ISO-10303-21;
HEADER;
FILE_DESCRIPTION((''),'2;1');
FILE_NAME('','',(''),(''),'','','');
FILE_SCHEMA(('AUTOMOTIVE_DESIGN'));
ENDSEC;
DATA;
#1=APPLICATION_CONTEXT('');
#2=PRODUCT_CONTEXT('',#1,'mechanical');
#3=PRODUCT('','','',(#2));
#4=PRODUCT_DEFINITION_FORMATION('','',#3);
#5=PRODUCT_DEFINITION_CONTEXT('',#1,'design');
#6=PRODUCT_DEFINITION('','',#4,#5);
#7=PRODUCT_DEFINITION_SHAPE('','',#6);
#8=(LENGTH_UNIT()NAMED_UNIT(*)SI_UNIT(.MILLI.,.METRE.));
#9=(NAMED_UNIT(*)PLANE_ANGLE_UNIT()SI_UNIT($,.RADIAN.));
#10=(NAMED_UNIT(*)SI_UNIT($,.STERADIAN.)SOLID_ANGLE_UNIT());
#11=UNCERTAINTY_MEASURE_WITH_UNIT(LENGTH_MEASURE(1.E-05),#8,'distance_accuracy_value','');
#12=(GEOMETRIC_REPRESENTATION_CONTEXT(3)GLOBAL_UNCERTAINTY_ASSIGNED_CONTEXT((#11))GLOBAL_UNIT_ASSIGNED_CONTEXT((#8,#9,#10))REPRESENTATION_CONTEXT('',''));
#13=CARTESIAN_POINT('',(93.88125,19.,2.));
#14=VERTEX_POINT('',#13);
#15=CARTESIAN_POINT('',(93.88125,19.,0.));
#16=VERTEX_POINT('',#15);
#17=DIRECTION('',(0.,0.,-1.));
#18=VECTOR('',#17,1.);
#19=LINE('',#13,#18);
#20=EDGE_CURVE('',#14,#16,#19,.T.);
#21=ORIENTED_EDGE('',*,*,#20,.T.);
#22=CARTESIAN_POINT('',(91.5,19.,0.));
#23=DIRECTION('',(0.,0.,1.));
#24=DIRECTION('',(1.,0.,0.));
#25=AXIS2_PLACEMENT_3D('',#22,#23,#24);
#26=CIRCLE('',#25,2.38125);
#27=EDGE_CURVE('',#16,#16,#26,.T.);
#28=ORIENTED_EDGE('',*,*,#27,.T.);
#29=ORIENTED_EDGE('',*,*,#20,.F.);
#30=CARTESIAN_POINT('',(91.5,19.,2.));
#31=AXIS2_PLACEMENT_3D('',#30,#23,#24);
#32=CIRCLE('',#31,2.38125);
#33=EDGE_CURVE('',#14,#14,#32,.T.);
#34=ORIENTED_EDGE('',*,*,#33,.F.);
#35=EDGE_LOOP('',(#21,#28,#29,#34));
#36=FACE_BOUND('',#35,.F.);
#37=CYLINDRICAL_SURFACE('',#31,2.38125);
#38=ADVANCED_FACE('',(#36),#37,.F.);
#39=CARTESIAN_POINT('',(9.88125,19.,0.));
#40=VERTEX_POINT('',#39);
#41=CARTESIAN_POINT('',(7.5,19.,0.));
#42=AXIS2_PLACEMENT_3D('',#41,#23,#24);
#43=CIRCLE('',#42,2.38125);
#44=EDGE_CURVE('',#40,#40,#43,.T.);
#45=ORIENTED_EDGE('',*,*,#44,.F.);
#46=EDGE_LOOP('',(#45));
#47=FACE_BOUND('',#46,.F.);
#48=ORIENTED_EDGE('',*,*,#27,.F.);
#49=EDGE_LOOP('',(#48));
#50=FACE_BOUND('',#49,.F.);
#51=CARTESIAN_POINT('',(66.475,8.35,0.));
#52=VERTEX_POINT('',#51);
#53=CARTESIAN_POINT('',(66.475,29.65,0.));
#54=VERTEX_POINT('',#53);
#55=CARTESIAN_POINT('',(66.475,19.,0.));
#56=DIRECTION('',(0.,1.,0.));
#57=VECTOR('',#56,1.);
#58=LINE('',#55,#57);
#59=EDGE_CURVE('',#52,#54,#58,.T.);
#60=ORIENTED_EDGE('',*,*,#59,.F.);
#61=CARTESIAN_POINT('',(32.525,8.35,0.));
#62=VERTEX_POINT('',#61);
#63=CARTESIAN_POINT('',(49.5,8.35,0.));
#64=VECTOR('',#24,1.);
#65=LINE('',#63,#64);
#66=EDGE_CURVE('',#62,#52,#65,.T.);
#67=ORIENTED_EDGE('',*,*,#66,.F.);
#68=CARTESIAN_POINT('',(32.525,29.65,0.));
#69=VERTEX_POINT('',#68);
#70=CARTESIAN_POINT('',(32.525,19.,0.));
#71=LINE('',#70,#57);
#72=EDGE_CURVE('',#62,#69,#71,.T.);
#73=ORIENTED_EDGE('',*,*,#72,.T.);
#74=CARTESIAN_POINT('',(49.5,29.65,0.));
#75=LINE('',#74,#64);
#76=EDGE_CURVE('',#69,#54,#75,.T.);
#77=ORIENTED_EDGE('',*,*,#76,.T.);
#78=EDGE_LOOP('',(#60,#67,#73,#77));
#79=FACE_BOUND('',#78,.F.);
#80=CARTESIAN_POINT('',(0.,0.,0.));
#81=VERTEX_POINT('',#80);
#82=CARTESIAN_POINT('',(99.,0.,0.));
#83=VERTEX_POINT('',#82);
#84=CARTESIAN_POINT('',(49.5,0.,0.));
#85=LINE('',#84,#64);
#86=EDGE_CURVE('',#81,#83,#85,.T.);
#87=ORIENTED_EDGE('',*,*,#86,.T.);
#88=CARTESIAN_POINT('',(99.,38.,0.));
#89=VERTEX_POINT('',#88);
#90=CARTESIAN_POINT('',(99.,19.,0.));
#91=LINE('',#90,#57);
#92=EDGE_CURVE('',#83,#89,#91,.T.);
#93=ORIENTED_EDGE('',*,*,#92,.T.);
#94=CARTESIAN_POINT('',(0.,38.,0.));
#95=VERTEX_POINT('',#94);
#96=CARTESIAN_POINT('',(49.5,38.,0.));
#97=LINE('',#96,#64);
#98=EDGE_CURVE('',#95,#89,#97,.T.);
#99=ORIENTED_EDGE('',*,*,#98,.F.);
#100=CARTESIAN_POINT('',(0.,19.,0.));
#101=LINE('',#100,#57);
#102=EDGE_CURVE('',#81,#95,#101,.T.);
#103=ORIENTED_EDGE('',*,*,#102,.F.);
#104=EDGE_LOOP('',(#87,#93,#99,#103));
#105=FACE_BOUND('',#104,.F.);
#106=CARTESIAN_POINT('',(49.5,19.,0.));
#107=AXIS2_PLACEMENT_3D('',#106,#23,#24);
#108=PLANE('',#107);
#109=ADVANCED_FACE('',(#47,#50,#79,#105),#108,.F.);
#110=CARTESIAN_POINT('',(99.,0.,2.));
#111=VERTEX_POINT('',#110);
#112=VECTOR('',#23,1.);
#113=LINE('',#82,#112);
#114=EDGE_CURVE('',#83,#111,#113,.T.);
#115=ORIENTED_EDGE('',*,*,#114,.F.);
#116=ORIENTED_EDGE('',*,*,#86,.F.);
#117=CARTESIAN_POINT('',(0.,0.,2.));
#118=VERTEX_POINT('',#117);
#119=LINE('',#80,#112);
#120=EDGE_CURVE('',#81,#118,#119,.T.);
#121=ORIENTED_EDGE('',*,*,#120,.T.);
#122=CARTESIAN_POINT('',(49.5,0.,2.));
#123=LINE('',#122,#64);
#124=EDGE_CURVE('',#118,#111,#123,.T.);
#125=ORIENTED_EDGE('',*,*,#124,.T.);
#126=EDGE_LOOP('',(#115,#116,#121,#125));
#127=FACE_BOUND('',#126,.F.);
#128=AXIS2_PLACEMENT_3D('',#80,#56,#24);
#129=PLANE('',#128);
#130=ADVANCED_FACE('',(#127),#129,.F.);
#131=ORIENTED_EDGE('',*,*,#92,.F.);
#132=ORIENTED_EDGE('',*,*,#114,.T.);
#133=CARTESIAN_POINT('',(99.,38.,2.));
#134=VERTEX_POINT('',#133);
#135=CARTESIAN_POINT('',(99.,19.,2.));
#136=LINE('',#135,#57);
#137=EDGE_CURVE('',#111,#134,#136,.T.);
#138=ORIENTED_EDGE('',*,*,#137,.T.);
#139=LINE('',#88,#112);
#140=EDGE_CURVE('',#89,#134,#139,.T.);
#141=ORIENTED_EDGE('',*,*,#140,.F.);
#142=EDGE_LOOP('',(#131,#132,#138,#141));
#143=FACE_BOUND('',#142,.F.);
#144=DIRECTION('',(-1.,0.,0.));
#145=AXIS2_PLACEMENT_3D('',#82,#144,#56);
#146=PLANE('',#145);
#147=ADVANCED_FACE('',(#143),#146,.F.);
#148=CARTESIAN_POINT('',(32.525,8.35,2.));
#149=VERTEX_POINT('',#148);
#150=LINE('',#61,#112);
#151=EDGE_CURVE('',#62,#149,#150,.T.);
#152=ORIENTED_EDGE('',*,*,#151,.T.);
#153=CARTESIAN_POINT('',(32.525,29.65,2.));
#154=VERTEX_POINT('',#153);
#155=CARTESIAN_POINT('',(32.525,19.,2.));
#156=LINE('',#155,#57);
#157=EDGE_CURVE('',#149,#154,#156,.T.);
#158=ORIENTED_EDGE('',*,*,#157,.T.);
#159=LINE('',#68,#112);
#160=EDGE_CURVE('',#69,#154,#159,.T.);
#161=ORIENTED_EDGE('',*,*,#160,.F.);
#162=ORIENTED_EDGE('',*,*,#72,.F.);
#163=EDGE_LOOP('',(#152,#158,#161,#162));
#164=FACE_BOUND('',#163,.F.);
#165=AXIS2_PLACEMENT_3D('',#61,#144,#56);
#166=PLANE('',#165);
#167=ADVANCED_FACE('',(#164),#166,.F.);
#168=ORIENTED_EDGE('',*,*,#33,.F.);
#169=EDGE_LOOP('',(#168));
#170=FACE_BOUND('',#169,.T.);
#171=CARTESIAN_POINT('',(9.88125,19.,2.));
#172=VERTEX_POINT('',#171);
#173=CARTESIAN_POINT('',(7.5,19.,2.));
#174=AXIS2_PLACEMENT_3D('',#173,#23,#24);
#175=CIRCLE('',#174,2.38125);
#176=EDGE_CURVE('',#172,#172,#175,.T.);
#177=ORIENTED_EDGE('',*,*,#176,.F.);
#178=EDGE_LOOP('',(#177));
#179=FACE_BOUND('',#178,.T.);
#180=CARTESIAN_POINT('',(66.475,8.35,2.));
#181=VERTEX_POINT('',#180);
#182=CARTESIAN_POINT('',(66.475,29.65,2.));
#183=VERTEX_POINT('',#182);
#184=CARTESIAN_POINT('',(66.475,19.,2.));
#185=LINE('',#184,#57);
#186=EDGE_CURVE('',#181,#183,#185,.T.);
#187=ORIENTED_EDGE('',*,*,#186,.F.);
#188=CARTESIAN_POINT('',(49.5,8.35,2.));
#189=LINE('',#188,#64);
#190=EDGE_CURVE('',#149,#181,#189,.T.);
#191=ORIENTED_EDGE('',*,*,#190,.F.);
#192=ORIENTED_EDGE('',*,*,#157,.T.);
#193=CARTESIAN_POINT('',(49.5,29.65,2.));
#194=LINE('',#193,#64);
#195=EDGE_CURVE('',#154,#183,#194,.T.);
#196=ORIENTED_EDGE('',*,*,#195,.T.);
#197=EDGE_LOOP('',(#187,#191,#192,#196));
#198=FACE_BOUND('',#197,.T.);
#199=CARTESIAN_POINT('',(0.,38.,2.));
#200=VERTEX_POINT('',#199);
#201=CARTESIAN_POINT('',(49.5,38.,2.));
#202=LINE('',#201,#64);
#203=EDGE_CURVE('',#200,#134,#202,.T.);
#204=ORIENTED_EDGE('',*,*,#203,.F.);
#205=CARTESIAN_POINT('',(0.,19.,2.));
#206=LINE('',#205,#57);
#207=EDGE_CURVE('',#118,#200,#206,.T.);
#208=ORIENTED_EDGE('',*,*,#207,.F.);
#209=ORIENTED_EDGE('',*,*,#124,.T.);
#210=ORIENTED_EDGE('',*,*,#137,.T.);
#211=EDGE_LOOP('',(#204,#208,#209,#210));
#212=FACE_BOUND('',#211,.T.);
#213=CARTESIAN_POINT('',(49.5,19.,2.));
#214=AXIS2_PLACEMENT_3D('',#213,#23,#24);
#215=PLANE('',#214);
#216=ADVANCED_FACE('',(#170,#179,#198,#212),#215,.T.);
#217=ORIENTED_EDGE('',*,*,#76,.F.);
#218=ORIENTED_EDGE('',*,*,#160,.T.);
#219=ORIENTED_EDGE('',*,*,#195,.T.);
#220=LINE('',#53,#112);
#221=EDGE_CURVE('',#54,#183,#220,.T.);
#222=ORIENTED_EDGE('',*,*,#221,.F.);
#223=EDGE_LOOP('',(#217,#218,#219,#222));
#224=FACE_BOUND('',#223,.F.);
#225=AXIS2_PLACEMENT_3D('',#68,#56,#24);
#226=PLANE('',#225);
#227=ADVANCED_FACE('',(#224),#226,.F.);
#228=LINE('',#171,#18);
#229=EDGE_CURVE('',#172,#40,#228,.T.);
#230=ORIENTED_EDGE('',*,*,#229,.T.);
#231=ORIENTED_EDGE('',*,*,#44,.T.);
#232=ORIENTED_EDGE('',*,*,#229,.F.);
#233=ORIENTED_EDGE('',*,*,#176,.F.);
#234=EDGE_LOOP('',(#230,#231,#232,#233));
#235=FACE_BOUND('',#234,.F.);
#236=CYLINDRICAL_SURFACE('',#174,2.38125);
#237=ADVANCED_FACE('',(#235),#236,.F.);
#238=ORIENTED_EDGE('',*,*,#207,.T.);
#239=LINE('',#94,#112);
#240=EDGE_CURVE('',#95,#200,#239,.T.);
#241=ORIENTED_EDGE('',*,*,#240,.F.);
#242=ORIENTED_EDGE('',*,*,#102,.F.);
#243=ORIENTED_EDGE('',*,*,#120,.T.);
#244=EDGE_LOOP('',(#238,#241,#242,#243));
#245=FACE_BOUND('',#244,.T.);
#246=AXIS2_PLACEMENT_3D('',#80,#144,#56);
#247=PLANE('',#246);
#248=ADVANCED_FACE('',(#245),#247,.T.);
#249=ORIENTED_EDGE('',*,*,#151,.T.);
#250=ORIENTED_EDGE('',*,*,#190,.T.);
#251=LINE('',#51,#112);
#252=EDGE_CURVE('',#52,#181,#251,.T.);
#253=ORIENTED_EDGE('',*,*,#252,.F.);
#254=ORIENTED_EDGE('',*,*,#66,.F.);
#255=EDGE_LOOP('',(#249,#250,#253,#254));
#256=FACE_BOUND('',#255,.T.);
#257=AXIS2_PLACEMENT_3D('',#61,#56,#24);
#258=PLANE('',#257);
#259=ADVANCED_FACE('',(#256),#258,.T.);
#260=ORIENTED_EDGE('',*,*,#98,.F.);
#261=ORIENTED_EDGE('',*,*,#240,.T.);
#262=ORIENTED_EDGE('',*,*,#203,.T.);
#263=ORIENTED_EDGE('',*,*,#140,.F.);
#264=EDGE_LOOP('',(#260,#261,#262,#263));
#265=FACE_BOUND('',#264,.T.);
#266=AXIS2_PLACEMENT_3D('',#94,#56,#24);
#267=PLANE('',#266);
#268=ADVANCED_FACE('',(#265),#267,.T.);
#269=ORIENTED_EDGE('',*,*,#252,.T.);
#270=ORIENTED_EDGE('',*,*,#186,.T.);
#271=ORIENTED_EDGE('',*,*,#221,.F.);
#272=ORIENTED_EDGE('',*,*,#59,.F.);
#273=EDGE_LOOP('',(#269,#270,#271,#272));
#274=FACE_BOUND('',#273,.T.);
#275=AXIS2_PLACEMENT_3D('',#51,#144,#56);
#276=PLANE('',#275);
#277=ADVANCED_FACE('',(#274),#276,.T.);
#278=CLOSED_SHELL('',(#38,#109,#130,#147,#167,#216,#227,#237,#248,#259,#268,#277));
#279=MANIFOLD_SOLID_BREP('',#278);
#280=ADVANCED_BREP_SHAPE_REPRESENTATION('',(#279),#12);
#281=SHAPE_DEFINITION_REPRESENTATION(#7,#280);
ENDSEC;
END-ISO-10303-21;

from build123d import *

# Parameters (mm, degrees)
F0_W     = 99
F0_H     = 38
F0_W_2   = 33.95
F0_H_2   = 21.3
F1_DEPTH = 2
F2_R     = 2.38125
F3_DEPTH = 2.001


with BuildPart() as f1:
    # F0 (on Top) → F1 (new body)
    with BuildSketch(Plane.XY):
        with Locations((49.5, 19)):
            Rectangle(F0_W, F0_H)
        with Locations((49.5, 19)):
            Rectangle(F0_W_2, F0_H_2, mode=Mode.SUBTRACT)
    extrude(amount=F1_DEPTH)

    # F2 (on face) → F3 (cut, through all)
    with BuildSketch(Plane.XY.offset(2)):
        with Locations((7.5, 19)):
            Circle(F2_R)
        with Locations((91.5, 19)):
            Circle(F2_R)
    extrude(amount=-F3_DEPTH, mode=Mode.SUBTRACT)


solid = f1.part
